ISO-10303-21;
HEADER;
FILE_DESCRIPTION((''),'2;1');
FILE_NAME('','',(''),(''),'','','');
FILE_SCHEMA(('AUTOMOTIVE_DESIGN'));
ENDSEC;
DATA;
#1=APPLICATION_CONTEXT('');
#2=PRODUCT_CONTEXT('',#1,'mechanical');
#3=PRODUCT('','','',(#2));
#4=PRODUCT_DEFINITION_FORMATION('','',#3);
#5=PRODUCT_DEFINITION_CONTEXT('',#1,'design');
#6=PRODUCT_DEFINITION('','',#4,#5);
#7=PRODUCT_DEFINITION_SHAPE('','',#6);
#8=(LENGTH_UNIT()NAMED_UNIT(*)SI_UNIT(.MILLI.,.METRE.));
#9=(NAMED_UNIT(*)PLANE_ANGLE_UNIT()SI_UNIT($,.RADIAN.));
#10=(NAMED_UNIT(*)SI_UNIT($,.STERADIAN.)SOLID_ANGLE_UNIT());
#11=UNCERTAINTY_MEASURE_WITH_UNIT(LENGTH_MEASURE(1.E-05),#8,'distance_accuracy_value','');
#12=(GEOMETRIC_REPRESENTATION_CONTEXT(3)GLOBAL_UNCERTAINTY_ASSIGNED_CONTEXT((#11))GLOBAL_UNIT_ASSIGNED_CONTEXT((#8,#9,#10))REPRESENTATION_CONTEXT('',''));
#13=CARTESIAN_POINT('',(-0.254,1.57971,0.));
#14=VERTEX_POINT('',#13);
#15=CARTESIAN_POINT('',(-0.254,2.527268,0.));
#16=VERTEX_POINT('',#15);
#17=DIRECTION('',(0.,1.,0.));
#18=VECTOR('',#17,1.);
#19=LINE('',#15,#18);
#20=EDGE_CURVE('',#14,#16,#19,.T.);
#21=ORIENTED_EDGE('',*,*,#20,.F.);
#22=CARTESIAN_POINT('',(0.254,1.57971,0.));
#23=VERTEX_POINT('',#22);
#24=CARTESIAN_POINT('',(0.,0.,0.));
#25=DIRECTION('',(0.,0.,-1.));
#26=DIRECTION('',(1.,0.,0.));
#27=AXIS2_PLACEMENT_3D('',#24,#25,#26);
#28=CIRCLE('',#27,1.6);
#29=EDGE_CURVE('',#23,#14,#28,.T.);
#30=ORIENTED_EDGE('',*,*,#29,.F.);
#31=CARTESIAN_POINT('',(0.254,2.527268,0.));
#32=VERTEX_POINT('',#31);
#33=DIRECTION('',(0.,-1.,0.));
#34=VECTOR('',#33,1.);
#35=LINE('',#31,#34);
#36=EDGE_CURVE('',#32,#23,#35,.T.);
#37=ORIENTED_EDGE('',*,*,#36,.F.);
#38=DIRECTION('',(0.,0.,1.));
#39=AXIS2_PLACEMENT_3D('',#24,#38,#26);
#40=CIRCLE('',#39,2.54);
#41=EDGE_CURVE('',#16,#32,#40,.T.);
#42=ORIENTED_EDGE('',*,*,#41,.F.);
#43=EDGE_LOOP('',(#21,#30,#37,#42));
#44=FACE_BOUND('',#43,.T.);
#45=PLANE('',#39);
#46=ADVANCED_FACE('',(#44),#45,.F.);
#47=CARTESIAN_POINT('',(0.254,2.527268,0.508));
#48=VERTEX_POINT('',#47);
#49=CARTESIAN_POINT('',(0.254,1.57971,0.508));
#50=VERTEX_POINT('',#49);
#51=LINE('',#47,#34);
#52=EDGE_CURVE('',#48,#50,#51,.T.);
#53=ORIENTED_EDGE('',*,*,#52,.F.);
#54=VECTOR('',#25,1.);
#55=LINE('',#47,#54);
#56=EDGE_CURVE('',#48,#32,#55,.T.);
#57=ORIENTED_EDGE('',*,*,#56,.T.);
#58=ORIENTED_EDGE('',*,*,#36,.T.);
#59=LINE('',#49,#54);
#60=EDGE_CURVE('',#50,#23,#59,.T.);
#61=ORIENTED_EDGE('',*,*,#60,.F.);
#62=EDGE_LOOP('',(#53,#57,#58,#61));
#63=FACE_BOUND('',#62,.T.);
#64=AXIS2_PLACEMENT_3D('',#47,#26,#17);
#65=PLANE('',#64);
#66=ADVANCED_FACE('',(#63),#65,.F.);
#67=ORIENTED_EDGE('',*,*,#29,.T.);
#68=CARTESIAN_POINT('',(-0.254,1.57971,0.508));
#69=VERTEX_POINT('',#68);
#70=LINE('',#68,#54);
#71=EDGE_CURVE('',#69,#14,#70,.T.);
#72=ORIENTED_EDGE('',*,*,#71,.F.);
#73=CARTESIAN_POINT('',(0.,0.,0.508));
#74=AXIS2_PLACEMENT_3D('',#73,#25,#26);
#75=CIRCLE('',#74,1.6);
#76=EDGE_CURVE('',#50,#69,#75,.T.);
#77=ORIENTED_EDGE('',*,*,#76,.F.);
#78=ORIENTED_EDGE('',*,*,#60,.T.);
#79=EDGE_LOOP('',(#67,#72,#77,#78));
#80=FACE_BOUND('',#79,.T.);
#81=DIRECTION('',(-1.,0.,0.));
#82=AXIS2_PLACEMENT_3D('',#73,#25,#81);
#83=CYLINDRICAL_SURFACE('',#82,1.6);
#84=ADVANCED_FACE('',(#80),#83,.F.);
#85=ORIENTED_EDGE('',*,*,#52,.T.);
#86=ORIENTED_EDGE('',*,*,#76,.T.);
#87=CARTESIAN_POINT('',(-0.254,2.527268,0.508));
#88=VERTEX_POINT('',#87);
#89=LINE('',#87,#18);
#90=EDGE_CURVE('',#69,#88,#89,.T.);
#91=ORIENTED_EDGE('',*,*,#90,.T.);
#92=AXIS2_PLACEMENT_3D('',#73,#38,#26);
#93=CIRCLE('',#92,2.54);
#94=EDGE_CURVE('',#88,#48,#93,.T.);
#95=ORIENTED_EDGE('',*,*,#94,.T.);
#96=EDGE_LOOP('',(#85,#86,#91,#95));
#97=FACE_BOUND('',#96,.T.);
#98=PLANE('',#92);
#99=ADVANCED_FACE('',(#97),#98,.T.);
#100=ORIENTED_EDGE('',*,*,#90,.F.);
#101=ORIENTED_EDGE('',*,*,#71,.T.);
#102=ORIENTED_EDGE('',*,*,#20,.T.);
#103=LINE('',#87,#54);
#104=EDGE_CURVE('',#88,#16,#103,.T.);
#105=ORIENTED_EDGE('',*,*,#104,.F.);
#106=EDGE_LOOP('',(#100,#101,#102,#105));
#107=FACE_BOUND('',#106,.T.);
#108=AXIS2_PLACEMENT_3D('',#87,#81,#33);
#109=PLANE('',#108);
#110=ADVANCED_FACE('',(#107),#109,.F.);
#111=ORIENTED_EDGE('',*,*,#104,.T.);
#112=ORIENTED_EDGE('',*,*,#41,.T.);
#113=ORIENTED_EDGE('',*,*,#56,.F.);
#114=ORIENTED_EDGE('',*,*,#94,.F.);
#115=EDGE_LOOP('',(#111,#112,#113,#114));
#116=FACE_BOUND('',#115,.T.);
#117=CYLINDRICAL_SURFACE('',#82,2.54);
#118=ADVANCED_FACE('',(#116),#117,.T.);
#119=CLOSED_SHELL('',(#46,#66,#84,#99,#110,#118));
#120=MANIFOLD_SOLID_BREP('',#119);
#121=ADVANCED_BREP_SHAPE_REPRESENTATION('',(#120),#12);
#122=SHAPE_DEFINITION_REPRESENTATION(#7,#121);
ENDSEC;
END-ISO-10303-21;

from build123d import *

# Parameters (mm, degrees)
EXTRUDE1_DEPTH = 0.508


with BuildPart() as part:
    # Sketch1 → Extrude1 (new body)
    with BuildSketch(Plane.XY):
        with BuildLine():
            Line((-0.254, 2.52726809), (-0.254, 1.5797101))
            ThreePointArc((-0.254, 1.5797101), (0, -1.6), (0.254, 1.5797101))
            Line((0.254, 1.5797101), (0.254, 2.52726809))
            ThreePointArc((0.254, 2.52726809), (0, -2.54), (-0.254, 2.52726809))
        make_face()
    extrude(amount=EXTRUDE1_DEPTH)


solid = part.part
